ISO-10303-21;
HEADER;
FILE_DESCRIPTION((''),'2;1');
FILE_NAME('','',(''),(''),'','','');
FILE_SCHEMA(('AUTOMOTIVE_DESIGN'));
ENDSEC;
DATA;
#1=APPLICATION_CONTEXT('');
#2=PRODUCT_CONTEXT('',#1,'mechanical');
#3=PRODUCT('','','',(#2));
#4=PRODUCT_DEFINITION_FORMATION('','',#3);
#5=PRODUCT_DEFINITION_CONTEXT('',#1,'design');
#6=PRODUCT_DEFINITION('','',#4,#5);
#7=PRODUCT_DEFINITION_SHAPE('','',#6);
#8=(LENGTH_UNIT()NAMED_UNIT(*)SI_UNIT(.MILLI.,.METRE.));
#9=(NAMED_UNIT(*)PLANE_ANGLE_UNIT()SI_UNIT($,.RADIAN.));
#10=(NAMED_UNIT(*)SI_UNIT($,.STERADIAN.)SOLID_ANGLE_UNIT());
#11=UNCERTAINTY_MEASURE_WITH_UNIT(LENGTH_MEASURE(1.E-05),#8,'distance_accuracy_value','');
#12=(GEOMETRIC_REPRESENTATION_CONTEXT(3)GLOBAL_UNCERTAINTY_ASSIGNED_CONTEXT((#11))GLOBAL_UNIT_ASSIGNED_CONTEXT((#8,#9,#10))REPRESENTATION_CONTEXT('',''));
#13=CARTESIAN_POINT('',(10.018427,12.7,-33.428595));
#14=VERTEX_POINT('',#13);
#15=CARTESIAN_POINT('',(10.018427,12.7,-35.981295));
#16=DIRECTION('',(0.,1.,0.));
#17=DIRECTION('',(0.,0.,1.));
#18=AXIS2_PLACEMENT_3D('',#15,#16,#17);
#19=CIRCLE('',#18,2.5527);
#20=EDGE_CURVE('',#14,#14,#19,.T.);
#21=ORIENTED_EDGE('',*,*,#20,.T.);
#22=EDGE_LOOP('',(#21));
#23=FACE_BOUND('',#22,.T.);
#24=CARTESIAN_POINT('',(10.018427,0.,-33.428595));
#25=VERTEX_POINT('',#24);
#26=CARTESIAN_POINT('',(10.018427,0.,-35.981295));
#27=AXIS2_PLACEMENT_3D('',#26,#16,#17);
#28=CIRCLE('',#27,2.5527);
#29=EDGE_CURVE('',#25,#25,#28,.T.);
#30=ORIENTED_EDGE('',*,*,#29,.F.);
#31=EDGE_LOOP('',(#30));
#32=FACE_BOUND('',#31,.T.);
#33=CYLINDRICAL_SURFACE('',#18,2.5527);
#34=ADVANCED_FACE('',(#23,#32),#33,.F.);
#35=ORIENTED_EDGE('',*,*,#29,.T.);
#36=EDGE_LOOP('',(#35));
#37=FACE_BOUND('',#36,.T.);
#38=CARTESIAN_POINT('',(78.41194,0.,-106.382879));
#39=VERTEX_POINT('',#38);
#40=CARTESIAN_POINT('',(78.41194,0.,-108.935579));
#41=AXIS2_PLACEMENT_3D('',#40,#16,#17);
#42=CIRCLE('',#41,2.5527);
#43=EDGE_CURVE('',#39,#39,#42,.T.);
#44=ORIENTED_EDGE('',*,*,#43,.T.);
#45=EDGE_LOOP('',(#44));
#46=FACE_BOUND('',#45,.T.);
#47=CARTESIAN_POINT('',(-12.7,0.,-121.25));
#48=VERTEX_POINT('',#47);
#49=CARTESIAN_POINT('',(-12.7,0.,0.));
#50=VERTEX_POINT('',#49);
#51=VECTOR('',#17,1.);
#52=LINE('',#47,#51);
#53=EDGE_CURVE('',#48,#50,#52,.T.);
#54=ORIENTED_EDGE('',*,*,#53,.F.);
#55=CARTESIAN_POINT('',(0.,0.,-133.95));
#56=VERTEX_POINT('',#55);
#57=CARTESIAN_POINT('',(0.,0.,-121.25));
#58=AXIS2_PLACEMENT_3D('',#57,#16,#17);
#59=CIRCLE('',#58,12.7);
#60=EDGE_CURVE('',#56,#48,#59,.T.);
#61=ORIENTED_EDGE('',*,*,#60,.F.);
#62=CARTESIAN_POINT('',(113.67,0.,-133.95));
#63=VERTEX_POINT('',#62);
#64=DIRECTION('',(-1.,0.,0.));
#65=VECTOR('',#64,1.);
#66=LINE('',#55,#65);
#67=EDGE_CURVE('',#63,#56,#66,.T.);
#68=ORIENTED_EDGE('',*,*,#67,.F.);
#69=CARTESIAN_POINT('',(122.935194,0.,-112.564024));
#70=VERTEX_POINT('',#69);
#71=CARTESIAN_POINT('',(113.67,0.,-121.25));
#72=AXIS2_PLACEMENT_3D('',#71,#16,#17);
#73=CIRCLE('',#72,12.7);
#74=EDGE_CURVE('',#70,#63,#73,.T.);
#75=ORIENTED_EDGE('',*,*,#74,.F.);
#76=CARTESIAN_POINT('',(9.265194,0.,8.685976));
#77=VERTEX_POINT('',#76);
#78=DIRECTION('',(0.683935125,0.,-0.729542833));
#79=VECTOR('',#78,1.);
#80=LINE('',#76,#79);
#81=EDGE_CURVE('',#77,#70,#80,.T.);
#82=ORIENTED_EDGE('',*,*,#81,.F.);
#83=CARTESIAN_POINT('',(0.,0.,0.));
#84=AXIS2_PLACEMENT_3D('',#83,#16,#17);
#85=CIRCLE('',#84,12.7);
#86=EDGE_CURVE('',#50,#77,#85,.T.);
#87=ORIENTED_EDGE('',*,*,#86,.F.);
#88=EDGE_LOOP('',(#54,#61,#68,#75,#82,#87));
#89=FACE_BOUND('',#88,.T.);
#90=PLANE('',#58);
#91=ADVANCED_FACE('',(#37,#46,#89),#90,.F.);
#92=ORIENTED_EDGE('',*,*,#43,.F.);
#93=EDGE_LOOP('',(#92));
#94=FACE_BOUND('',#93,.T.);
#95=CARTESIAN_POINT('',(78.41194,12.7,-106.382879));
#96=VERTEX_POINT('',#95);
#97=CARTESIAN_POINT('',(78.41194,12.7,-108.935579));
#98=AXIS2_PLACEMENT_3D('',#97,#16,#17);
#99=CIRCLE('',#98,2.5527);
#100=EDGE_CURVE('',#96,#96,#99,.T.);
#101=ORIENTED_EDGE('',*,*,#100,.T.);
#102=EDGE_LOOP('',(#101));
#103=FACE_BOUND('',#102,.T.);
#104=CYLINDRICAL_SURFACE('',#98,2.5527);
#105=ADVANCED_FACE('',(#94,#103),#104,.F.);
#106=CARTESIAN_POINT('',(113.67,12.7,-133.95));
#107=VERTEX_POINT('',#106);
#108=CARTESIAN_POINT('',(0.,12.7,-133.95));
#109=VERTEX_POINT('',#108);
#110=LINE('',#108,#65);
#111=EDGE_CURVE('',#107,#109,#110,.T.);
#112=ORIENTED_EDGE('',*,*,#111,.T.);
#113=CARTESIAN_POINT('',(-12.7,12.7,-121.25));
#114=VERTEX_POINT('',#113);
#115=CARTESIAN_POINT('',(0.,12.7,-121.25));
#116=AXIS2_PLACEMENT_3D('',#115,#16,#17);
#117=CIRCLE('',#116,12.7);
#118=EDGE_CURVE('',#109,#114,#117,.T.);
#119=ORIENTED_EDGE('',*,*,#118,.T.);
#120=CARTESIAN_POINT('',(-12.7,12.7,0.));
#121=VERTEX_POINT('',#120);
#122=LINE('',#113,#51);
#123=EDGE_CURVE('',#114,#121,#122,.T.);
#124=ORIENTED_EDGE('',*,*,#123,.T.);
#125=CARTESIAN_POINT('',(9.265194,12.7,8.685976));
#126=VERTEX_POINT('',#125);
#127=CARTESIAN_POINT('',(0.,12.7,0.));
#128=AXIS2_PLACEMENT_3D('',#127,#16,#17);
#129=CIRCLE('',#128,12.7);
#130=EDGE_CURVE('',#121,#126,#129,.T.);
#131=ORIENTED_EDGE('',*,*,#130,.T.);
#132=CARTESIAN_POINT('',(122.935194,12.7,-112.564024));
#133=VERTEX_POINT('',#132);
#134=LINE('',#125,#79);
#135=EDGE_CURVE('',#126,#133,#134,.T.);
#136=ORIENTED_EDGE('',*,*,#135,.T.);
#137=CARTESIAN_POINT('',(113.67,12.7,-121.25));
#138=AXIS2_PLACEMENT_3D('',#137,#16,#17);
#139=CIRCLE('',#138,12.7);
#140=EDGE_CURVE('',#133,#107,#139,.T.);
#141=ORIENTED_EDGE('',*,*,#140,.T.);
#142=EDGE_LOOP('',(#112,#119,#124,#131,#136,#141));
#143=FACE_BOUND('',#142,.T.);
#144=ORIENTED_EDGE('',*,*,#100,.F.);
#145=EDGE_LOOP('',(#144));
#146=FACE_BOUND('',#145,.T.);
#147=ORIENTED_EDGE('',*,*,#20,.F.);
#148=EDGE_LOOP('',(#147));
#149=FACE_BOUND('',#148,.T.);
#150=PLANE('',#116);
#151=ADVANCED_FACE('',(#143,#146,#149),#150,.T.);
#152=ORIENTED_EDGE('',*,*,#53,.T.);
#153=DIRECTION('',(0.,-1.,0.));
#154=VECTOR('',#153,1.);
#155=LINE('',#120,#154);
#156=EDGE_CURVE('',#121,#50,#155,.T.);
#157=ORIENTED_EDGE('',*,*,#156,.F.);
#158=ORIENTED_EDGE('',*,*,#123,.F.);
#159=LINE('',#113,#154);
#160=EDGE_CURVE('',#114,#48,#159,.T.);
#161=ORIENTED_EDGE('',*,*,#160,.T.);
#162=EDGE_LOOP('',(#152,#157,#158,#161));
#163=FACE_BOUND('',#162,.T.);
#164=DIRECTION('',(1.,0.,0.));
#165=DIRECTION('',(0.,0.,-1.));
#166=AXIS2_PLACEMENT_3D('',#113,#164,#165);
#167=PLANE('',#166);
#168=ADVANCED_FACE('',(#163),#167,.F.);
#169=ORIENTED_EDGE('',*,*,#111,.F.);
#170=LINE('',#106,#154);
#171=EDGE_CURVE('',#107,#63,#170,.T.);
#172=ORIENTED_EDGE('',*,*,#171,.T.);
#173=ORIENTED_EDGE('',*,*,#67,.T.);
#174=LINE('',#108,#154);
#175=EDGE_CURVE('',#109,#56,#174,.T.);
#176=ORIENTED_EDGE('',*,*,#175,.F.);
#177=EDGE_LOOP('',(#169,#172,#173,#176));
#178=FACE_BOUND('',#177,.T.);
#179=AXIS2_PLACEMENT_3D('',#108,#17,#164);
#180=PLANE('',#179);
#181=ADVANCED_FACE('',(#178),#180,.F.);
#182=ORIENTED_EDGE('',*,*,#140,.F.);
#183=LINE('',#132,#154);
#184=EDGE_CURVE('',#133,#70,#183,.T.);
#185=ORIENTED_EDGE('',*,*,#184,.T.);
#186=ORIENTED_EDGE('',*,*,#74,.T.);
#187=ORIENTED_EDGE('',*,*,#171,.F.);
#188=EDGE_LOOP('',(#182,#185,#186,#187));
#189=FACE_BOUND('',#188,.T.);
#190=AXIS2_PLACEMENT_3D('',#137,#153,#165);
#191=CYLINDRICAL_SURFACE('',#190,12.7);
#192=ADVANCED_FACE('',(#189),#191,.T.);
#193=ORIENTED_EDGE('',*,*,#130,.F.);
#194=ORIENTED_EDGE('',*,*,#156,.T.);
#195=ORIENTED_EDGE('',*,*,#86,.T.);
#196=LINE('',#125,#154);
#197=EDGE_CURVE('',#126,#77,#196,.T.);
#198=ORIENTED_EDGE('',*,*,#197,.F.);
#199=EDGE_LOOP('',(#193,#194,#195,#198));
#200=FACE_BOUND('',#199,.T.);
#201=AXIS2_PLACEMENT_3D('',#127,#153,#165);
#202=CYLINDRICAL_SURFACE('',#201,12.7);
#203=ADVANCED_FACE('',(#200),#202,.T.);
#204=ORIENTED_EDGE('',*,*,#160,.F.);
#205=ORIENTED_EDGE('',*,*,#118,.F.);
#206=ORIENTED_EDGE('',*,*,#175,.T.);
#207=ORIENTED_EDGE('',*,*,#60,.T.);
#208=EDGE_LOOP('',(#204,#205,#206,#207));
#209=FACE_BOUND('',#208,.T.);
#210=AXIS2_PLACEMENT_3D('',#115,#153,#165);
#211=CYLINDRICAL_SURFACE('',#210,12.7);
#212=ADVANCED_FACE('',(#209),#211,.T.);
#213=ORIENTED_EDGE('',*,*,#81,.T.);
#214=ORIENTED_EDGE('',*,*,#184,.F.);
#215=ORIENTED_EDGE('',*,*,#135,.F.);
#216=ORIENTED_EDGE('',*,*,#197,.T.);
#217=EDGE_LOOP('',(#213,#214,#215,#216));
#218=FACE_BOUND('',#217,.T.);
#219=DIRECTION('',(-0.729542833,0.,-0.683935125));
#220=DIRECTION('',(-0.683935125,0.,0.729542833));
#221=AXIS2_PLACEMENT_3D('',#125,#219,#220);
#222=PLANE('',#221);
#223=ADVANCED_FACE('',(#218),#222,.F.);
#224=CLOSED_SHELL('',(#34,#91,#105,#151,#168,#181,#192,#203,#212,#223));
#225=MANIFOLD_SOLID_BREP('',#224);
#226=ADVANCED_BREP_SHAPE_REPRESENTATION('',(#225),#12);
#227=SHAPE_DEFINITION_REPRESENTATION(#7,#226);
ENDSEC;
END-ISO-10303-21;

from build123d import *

# Parameters (mm, degrees)
BOSS_EXTRUDE1_DEPTH         = 12.7
F_1_4_20_TAPPED_HOLE1_D     = 5.1054
F_1_4_20_TAPPED_HOLE1_DEPTH = 19.05
F_1_4_20_TAPPED_HOLE1_TIP   = 1.533816902


with BuildPart() as part:
    # Sketch1 → Boss-Extrude1 (new body)
    with BuildSketch(Plane(origin=(0, 0, 0), x_dir=(1, 0, 0), z_dir=(0, 1, 0))):
        with BuildLine():
            Line((-12.7, 121.25), (-12.7, 0))
            ThreePointArc((-12.7, 0), (-4.670226784, -11.810122005), (9.265193981, -8.685976081))
            Line((9.265193981, -8.685976081), (122.935193981, 112.564023919))
            ThreePointArc((122.935193981, 112.564023919), (125.323366386, 126.298668328), (113.67, 133.95))
            Line((113.67, 133.95), (0, 133.95))
            ThreePointArc((0, 133.95), (-8.980256121, 130.230256121), (-12.7, 121.25))
        make_face()
    extrude(amount=BOSS_EXTRUDE1_DEPTH)

    # 1/4-20 Tapped Hole1
    with Locations(Plane(origin=(10.018427162, 12.7, -35.98129538), x_dir=(0, 0, 1), z_dir=(0, 1, 0))):
        with Locations((0, 0), (-72.954283318, 68.393512452)):
            Hole(F_1_4_20_TAPPED_HOLE1_D / 2, depth=F_1_4_20_TAPPED_HOLE1_DEPTH)
            with Locations((0, 0, -(F_1_4_20_TAPPED_HOLE1_DEPTH + F_1_4_20_TAPPED_HOLE1_TIP / 2))):  # 118° drill point
                Cone(0, F_1_4_20_TAPPED_HOLE1_D / 2, F_1_4_20_TAPPED_HOLE1_TIP, mode=Mode.SUBTRACT)


solid = part.part
